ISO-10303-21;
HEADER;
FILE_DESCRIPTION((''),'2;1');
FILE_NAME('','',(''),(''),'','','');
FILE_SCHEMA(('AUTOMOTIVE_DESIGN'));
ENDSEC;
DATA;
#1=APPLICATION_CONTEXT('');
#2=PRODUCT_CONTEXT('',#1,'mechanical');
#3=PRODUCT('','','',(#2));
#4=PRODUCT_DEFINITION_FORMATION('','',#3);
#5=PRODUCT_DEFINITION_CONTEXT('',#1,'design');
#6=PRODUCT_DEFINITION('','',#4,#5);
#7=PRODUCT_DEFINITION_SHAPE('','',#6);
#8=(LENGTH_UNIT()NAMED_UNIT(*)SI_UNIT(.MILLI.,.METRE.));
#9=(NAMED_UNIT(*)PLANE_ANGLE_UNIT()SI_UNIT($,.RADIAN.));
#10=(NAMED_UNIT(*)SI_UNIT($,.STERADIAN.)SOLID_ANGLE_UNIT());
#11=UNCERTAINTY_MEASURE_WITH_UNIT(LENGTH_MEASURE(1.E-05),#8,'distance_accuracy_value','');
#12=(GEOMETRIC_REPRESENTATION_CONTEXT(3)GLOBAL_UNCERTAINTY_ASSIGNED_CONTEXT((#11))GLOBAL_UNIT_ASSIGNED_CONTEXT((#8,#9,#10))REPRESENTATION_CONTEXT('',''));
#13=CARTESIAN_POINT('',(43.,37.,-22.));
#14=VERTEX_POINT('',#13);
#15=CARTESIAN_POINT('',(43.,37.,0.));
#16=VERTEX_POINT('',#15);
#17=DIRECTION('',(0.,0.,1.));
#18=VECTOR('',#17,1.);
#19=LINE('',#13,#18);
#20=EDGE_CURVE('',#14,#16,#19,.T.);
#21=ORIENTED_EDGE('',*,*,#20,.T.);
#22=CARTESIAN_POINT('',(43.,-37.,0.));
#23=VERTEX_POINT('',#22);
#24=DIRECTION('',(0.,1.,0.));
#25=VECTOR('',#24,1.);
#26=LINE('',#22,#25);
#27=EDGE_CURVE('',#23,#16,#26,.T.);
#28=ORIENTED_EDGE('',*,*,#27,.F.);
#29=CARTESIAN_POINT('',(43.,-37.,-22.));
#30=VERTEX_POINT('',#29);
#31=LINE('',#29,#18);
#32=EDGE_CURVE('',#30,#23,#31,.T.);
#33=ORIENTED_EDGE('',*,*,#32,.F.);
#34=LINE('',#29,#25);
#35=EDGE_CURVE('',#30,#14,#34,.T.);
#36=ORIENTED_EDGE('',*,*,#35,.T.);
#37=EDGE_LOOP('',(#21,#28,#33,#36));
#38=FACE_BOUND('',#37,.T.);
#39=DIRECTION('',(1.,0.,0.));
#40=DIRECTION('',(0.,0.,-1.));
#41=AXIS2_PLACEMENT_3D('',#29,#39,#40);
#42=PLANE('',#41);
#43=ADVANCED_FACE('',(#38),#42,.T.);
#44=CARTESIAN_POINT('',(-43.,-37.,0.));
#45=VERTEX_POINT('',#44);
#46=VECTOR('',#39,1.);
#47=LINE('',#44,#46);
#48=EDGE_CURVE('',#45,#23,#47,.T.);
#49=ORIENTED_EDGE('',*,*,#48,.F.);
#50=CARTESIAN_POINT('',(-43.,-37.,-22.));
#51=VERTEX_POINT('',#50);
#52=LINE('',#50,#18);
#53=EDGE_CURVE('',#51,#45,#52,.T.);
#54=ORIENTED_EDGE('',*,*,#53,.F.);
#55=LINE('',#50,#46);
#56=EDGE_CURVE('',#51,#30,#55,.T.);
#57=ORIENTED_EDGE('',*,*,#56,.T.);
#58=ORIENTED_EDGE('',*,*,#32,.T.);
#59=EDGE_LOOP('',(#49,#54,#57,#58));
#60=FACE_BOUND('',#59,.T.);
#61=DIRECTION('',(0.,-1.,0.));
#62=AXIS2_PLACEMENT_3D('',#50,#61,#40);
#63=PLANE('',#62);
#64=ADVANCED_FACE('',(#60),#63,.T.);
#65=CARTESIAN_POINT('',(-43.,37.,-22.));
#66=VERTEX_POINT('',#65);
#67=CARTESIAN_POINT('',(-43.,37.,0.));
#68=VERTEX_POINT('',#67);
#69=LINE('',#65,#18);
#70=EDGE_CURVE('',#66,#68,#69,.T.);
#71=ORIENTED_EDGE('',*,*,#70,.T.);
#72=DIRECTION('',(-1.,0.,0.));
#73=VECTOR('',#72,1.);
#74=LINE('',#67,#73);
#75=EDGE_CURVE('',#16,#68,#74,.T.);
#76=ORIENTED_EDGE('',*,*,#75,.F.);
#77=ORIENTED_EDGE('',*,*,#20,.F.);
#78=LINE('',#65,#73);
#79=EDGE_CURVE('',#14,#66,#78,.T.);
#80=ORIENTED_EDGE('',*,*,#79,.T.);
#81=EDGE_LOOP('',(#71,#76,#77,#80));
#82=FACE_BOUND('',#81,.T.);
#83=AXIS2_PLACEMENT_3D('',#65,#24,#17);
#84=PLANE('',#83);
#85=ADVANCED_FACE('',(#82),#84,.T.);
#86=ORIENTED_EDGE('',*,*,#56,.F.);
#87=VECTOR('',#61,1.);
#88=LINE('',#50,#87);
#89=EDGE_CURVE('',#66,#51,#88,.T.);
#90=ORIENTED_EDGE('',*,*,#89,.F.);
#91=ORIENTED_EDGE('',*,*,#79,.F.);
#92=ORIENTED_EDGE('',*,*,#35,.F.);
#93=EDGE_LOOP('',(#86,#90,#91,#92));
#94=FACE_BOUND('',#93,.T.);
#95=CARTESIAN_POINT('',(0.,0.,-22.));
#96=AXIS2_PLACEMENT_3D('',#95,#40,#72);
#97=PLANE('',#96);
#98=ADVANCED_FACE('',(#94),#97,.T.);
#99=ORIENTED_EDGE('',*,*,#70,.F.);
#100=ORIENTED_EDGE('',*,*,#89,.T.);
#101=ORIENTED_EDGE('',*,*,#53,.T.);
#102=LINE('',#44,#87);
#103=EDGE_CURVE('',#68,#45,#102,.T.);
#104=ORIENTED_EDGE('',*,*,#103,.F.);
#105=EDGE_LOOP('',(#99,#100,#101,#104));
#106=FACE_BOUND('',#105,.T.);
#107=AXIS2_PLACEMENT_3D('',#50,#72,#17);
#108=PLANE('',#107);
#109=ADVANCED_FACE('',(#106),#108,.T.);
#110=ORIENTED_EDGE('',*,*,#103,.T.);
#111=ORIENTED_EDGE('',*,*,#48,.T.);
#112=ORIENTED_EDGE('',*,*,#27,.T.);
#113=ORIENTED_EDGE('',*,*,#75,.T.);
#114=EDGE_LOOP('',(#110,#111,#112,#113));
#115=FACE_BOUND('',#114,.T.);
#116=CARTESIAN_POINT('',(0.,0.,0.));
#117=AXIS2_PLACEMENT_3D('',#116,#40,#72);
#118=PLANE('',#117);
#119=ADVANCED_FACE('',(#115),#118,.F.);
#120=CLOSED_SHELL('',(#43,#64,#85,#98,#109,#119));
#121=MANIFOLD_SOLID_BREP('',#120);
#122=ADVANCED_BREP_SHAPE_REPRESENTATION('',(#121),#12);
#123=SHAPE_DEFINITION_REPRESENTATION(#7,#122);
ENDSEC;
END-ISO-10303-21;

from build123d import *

# Parameters (mm, degrees)
SKETCH_1_W      = 86
SKETCH_1_H      = 74
EXTRUDE_1_DEPTH = 22


with BuildPart() as part:
    # 草图1 → 凸台-拉伸1 (new body)
    with BuildSketch(Plane.XY):
        Rectangle(SKETCH_1_W, SKETCH_1_H)
    extrude(amount=-EXTRUDE_1_DEPTH)


solid = part.part
